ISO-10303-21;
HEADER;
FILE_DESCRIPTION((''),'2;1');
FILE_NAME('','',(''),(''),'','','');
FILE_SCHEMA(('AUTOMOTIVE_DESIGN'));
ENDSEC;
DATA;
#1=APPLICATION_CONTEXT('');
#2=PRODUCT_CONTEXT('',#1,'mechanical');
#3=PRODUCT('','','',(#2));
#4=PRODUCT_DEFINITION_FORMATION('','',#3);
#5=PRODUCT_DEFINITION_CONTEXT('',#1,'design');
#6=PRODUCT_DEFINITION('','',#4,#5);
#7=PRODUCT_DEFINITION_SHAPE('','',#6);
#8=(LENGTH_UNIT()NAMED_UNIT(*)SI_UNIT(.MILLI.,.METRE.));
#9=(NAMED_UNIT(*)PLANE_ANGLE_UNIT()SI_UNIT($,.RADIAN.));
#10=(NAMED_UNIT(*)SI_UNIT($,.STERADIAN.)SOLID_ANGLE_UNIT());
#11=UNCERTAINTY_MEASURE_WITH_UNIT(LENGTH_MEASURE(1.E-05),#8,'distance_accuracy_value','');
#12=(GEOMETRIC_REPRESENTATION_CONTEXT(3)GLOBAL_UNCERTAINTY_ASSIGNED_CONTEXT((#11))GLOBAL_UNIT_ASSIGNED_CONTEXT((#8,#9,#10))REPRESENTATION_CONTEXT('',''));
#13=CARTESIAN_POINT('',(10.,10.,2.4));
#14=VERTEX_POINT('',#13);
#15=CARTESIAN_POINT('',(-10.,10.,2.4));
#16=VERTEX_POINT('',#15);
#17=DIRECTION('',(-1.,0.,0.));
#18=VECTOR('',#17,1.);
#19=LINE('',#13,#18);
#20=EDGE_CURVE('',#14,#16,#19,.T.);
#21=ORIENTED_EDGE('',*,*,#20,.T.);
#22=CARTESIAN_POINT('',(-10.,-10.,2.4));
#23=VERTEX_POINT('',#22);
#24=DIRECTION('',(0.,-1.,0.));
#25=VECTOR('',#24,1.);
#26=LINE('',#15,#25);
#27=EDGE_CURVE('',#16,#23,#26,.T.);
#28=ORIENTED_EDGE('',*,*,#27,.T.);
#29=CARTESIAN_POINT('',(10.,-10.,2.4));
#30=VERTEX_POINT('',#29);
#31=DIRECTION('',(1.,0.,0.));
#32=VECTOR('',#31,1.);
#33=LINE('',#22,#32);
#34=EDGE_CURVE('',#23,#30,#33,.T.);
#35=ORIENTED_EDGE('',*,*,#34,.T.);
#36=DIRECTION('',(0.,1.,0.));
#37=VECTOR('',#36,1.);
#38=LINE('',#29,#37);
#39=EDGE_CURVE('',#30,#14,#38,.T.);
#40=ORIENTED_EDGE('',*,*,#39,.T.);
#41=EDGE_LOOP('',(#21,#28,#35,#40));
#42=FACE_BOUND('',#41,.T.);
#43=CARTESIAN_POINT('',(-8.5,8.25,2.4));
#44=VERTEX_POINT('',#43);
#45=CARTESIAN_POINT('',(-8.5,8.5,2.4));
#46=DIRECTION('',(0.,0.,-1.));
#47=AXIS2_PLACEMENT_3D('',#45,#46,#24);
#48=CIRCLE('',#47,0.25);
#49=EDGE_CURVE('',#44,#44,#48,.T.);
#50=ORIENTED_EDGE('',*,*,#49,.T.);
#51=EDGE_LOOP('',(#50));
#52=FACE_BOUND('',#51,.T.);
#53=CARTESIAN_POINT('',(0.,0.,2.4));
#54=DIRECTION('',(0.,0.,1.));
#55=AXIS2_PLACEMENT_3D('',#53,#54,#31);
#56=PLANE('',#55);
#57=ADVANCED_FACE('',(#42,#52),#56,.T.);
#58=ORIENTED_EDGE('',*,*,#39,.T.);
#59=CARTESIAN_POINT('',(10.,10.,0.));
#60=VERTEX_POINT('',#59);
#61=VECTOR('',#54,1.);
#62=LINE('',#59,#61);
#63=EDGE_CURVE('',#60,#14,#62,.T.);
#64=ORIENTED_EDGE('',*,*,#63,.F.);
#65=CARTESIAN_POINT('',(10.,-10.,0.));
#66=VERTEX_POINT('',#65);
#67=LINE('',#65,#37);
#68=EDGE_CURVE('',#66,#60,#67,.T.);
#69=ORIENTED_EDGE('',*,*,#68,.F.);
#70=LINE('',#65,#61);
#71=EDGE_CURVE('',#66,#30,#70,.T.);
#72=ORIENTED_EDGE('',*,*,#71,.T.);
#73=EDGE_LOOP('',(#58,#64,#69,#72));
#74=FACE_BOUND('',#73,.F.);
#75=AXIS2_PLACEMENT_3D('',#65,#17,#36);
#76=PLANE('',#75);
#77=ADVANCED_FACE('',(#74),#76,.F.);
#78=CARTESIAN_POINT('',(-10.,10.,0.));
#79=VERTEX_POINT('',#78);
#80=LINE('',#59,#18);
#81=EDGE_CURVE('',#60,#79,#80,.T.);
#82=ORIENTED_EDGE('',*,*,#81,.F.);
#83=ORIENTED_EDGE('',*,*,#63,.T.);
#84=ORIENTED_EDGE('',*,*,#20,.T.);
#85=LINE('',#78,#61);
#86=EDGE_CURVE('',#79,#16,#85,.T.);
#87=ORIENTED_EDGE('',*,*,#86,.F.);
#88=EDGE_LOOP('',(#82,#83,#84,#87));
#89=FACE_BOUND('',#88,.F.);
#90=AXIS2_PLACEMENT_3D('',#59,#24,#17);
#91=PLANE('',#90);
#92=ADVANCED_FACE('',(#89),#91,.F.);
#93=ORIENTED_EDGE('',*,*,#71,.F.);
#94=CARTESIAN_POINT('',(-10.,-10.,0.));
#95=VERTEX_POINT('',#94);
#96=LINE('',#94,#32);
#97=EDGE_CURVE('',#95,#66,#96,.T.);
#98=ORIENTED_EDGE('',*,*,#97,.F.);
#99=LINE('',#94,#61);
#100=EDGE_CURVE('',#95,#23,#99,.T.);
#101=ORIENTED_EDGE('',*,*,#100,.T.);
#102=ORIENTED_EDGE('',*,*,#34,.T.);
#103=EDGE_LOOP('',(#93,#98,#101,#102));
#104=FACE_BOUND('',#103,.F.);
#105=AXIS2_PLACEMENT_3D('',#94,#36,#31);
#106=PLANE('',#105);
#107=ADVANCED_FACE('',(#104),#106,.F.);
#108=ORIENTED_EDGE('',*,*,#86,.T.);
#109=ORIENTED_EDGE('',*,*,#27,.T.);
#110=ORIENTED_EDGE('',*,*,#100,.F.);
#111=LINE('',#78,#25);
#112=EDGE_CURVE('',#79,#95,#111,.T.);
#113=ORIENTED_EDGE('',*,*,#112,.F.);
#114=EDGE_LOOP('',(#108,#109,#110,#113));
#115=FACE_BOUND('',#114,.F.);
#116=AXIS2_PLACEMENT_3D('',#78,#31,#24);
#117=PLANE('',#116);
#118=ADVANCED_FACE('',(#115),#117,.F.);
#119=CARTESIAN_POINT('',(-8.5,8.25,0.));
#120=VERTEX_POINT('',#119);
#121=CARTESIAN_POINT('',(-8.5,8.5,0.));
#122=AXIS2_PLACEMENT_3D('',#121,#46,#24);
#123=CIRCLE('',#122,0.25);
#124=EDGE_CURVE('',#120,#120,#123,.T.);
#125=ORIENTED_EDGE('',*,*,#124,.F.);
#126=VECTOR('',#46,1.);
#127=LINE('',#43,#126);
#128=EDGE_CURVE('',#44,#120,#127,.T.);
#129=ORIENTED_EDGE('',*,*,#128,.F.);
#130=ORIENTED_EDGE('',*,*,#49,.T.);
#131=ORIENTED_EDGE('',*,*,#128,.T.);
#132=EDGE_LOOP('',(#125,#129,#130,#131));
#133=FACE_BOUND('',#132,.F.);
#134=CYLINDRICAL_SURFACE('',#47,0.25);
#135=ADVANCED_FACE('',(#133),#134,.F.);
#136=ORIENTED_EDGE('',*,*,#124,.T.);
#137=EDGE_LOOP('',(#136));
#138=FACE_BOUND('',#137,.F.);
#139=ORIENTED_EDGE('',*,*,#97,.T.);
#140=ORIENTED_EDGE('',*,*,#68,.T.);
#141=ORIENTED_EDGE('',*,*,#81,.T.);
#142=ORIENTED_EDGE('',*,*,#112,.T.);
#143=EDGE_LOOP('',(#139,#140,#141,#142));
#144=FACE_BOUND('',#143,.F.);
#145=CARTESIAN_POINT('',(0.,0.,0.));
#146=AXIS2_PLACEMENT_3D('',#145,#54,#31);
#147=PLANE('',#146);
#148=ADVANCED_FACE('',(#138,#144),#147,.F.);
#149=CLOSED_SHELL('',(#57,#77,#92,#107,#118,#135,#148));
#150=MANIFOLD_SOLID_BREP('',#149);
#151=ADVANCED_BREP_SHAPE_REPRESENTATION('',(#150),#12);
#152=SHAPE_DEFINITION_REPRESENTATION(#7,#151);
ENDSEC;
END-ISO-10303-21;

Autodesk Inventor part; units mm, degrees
ref_plane "YZ Plane" through (0, 0, 0) normal (1, 0, 0) x (0, 1, 0)
ref_plane "XZ Plane" through (0, 0, 0) normal (0, 1, 0) x (-1, 0, 0)
ref_plane "XY Plane" through (0, 0, 0) normal (0, 0, 1) x (1, 0, 0)
sketch "Náčrt1" plane through (0, 0, 0) normal (0, 0, 1) x (1, 0, 0)
  line L0 (0, 0) -> (-10, 0) construction
  line L1 (-10, 0) -> (-10, -10) construction
  line L2 (-10, -10) -> (0, -10) construction
  line L3 (0, -10) -> (0, 0) construction
  line L4 (-10, -10) -> (10, -10)
  line L5 (10, -10) -> (10, 10)
  line L6 (10, 10) -> (-10, 10)
  line L7 (-10, 10) -> (-10, -10)
  dimension "d0" = 10
  dimension "d1" = 10
  dimension "d2" = 20
  dimension "d3" = 20
extrude "Vysunutí1" add sketch "Náčrt1" along normal blind 2.4
sketch "Náčrt3" plane through (0, 0, 2.4) normal (0, 0, 1) x (1, 0, 0)
  line L0 (-10, 10) -> (-10, -10) projected
  line L1 (10, 10) -> (-10, 10) projected
  point P0 (0, 0)
  point P1 (-8.5, 8.5)
  dimension "d12" = 1.5
  dimension "d13" = 1.5
hole "Díra1" at (-8.5, 8.5, 2.4) direction (0, 0, -1) diameter 0.5 end through all
properties part number "H mustek"
